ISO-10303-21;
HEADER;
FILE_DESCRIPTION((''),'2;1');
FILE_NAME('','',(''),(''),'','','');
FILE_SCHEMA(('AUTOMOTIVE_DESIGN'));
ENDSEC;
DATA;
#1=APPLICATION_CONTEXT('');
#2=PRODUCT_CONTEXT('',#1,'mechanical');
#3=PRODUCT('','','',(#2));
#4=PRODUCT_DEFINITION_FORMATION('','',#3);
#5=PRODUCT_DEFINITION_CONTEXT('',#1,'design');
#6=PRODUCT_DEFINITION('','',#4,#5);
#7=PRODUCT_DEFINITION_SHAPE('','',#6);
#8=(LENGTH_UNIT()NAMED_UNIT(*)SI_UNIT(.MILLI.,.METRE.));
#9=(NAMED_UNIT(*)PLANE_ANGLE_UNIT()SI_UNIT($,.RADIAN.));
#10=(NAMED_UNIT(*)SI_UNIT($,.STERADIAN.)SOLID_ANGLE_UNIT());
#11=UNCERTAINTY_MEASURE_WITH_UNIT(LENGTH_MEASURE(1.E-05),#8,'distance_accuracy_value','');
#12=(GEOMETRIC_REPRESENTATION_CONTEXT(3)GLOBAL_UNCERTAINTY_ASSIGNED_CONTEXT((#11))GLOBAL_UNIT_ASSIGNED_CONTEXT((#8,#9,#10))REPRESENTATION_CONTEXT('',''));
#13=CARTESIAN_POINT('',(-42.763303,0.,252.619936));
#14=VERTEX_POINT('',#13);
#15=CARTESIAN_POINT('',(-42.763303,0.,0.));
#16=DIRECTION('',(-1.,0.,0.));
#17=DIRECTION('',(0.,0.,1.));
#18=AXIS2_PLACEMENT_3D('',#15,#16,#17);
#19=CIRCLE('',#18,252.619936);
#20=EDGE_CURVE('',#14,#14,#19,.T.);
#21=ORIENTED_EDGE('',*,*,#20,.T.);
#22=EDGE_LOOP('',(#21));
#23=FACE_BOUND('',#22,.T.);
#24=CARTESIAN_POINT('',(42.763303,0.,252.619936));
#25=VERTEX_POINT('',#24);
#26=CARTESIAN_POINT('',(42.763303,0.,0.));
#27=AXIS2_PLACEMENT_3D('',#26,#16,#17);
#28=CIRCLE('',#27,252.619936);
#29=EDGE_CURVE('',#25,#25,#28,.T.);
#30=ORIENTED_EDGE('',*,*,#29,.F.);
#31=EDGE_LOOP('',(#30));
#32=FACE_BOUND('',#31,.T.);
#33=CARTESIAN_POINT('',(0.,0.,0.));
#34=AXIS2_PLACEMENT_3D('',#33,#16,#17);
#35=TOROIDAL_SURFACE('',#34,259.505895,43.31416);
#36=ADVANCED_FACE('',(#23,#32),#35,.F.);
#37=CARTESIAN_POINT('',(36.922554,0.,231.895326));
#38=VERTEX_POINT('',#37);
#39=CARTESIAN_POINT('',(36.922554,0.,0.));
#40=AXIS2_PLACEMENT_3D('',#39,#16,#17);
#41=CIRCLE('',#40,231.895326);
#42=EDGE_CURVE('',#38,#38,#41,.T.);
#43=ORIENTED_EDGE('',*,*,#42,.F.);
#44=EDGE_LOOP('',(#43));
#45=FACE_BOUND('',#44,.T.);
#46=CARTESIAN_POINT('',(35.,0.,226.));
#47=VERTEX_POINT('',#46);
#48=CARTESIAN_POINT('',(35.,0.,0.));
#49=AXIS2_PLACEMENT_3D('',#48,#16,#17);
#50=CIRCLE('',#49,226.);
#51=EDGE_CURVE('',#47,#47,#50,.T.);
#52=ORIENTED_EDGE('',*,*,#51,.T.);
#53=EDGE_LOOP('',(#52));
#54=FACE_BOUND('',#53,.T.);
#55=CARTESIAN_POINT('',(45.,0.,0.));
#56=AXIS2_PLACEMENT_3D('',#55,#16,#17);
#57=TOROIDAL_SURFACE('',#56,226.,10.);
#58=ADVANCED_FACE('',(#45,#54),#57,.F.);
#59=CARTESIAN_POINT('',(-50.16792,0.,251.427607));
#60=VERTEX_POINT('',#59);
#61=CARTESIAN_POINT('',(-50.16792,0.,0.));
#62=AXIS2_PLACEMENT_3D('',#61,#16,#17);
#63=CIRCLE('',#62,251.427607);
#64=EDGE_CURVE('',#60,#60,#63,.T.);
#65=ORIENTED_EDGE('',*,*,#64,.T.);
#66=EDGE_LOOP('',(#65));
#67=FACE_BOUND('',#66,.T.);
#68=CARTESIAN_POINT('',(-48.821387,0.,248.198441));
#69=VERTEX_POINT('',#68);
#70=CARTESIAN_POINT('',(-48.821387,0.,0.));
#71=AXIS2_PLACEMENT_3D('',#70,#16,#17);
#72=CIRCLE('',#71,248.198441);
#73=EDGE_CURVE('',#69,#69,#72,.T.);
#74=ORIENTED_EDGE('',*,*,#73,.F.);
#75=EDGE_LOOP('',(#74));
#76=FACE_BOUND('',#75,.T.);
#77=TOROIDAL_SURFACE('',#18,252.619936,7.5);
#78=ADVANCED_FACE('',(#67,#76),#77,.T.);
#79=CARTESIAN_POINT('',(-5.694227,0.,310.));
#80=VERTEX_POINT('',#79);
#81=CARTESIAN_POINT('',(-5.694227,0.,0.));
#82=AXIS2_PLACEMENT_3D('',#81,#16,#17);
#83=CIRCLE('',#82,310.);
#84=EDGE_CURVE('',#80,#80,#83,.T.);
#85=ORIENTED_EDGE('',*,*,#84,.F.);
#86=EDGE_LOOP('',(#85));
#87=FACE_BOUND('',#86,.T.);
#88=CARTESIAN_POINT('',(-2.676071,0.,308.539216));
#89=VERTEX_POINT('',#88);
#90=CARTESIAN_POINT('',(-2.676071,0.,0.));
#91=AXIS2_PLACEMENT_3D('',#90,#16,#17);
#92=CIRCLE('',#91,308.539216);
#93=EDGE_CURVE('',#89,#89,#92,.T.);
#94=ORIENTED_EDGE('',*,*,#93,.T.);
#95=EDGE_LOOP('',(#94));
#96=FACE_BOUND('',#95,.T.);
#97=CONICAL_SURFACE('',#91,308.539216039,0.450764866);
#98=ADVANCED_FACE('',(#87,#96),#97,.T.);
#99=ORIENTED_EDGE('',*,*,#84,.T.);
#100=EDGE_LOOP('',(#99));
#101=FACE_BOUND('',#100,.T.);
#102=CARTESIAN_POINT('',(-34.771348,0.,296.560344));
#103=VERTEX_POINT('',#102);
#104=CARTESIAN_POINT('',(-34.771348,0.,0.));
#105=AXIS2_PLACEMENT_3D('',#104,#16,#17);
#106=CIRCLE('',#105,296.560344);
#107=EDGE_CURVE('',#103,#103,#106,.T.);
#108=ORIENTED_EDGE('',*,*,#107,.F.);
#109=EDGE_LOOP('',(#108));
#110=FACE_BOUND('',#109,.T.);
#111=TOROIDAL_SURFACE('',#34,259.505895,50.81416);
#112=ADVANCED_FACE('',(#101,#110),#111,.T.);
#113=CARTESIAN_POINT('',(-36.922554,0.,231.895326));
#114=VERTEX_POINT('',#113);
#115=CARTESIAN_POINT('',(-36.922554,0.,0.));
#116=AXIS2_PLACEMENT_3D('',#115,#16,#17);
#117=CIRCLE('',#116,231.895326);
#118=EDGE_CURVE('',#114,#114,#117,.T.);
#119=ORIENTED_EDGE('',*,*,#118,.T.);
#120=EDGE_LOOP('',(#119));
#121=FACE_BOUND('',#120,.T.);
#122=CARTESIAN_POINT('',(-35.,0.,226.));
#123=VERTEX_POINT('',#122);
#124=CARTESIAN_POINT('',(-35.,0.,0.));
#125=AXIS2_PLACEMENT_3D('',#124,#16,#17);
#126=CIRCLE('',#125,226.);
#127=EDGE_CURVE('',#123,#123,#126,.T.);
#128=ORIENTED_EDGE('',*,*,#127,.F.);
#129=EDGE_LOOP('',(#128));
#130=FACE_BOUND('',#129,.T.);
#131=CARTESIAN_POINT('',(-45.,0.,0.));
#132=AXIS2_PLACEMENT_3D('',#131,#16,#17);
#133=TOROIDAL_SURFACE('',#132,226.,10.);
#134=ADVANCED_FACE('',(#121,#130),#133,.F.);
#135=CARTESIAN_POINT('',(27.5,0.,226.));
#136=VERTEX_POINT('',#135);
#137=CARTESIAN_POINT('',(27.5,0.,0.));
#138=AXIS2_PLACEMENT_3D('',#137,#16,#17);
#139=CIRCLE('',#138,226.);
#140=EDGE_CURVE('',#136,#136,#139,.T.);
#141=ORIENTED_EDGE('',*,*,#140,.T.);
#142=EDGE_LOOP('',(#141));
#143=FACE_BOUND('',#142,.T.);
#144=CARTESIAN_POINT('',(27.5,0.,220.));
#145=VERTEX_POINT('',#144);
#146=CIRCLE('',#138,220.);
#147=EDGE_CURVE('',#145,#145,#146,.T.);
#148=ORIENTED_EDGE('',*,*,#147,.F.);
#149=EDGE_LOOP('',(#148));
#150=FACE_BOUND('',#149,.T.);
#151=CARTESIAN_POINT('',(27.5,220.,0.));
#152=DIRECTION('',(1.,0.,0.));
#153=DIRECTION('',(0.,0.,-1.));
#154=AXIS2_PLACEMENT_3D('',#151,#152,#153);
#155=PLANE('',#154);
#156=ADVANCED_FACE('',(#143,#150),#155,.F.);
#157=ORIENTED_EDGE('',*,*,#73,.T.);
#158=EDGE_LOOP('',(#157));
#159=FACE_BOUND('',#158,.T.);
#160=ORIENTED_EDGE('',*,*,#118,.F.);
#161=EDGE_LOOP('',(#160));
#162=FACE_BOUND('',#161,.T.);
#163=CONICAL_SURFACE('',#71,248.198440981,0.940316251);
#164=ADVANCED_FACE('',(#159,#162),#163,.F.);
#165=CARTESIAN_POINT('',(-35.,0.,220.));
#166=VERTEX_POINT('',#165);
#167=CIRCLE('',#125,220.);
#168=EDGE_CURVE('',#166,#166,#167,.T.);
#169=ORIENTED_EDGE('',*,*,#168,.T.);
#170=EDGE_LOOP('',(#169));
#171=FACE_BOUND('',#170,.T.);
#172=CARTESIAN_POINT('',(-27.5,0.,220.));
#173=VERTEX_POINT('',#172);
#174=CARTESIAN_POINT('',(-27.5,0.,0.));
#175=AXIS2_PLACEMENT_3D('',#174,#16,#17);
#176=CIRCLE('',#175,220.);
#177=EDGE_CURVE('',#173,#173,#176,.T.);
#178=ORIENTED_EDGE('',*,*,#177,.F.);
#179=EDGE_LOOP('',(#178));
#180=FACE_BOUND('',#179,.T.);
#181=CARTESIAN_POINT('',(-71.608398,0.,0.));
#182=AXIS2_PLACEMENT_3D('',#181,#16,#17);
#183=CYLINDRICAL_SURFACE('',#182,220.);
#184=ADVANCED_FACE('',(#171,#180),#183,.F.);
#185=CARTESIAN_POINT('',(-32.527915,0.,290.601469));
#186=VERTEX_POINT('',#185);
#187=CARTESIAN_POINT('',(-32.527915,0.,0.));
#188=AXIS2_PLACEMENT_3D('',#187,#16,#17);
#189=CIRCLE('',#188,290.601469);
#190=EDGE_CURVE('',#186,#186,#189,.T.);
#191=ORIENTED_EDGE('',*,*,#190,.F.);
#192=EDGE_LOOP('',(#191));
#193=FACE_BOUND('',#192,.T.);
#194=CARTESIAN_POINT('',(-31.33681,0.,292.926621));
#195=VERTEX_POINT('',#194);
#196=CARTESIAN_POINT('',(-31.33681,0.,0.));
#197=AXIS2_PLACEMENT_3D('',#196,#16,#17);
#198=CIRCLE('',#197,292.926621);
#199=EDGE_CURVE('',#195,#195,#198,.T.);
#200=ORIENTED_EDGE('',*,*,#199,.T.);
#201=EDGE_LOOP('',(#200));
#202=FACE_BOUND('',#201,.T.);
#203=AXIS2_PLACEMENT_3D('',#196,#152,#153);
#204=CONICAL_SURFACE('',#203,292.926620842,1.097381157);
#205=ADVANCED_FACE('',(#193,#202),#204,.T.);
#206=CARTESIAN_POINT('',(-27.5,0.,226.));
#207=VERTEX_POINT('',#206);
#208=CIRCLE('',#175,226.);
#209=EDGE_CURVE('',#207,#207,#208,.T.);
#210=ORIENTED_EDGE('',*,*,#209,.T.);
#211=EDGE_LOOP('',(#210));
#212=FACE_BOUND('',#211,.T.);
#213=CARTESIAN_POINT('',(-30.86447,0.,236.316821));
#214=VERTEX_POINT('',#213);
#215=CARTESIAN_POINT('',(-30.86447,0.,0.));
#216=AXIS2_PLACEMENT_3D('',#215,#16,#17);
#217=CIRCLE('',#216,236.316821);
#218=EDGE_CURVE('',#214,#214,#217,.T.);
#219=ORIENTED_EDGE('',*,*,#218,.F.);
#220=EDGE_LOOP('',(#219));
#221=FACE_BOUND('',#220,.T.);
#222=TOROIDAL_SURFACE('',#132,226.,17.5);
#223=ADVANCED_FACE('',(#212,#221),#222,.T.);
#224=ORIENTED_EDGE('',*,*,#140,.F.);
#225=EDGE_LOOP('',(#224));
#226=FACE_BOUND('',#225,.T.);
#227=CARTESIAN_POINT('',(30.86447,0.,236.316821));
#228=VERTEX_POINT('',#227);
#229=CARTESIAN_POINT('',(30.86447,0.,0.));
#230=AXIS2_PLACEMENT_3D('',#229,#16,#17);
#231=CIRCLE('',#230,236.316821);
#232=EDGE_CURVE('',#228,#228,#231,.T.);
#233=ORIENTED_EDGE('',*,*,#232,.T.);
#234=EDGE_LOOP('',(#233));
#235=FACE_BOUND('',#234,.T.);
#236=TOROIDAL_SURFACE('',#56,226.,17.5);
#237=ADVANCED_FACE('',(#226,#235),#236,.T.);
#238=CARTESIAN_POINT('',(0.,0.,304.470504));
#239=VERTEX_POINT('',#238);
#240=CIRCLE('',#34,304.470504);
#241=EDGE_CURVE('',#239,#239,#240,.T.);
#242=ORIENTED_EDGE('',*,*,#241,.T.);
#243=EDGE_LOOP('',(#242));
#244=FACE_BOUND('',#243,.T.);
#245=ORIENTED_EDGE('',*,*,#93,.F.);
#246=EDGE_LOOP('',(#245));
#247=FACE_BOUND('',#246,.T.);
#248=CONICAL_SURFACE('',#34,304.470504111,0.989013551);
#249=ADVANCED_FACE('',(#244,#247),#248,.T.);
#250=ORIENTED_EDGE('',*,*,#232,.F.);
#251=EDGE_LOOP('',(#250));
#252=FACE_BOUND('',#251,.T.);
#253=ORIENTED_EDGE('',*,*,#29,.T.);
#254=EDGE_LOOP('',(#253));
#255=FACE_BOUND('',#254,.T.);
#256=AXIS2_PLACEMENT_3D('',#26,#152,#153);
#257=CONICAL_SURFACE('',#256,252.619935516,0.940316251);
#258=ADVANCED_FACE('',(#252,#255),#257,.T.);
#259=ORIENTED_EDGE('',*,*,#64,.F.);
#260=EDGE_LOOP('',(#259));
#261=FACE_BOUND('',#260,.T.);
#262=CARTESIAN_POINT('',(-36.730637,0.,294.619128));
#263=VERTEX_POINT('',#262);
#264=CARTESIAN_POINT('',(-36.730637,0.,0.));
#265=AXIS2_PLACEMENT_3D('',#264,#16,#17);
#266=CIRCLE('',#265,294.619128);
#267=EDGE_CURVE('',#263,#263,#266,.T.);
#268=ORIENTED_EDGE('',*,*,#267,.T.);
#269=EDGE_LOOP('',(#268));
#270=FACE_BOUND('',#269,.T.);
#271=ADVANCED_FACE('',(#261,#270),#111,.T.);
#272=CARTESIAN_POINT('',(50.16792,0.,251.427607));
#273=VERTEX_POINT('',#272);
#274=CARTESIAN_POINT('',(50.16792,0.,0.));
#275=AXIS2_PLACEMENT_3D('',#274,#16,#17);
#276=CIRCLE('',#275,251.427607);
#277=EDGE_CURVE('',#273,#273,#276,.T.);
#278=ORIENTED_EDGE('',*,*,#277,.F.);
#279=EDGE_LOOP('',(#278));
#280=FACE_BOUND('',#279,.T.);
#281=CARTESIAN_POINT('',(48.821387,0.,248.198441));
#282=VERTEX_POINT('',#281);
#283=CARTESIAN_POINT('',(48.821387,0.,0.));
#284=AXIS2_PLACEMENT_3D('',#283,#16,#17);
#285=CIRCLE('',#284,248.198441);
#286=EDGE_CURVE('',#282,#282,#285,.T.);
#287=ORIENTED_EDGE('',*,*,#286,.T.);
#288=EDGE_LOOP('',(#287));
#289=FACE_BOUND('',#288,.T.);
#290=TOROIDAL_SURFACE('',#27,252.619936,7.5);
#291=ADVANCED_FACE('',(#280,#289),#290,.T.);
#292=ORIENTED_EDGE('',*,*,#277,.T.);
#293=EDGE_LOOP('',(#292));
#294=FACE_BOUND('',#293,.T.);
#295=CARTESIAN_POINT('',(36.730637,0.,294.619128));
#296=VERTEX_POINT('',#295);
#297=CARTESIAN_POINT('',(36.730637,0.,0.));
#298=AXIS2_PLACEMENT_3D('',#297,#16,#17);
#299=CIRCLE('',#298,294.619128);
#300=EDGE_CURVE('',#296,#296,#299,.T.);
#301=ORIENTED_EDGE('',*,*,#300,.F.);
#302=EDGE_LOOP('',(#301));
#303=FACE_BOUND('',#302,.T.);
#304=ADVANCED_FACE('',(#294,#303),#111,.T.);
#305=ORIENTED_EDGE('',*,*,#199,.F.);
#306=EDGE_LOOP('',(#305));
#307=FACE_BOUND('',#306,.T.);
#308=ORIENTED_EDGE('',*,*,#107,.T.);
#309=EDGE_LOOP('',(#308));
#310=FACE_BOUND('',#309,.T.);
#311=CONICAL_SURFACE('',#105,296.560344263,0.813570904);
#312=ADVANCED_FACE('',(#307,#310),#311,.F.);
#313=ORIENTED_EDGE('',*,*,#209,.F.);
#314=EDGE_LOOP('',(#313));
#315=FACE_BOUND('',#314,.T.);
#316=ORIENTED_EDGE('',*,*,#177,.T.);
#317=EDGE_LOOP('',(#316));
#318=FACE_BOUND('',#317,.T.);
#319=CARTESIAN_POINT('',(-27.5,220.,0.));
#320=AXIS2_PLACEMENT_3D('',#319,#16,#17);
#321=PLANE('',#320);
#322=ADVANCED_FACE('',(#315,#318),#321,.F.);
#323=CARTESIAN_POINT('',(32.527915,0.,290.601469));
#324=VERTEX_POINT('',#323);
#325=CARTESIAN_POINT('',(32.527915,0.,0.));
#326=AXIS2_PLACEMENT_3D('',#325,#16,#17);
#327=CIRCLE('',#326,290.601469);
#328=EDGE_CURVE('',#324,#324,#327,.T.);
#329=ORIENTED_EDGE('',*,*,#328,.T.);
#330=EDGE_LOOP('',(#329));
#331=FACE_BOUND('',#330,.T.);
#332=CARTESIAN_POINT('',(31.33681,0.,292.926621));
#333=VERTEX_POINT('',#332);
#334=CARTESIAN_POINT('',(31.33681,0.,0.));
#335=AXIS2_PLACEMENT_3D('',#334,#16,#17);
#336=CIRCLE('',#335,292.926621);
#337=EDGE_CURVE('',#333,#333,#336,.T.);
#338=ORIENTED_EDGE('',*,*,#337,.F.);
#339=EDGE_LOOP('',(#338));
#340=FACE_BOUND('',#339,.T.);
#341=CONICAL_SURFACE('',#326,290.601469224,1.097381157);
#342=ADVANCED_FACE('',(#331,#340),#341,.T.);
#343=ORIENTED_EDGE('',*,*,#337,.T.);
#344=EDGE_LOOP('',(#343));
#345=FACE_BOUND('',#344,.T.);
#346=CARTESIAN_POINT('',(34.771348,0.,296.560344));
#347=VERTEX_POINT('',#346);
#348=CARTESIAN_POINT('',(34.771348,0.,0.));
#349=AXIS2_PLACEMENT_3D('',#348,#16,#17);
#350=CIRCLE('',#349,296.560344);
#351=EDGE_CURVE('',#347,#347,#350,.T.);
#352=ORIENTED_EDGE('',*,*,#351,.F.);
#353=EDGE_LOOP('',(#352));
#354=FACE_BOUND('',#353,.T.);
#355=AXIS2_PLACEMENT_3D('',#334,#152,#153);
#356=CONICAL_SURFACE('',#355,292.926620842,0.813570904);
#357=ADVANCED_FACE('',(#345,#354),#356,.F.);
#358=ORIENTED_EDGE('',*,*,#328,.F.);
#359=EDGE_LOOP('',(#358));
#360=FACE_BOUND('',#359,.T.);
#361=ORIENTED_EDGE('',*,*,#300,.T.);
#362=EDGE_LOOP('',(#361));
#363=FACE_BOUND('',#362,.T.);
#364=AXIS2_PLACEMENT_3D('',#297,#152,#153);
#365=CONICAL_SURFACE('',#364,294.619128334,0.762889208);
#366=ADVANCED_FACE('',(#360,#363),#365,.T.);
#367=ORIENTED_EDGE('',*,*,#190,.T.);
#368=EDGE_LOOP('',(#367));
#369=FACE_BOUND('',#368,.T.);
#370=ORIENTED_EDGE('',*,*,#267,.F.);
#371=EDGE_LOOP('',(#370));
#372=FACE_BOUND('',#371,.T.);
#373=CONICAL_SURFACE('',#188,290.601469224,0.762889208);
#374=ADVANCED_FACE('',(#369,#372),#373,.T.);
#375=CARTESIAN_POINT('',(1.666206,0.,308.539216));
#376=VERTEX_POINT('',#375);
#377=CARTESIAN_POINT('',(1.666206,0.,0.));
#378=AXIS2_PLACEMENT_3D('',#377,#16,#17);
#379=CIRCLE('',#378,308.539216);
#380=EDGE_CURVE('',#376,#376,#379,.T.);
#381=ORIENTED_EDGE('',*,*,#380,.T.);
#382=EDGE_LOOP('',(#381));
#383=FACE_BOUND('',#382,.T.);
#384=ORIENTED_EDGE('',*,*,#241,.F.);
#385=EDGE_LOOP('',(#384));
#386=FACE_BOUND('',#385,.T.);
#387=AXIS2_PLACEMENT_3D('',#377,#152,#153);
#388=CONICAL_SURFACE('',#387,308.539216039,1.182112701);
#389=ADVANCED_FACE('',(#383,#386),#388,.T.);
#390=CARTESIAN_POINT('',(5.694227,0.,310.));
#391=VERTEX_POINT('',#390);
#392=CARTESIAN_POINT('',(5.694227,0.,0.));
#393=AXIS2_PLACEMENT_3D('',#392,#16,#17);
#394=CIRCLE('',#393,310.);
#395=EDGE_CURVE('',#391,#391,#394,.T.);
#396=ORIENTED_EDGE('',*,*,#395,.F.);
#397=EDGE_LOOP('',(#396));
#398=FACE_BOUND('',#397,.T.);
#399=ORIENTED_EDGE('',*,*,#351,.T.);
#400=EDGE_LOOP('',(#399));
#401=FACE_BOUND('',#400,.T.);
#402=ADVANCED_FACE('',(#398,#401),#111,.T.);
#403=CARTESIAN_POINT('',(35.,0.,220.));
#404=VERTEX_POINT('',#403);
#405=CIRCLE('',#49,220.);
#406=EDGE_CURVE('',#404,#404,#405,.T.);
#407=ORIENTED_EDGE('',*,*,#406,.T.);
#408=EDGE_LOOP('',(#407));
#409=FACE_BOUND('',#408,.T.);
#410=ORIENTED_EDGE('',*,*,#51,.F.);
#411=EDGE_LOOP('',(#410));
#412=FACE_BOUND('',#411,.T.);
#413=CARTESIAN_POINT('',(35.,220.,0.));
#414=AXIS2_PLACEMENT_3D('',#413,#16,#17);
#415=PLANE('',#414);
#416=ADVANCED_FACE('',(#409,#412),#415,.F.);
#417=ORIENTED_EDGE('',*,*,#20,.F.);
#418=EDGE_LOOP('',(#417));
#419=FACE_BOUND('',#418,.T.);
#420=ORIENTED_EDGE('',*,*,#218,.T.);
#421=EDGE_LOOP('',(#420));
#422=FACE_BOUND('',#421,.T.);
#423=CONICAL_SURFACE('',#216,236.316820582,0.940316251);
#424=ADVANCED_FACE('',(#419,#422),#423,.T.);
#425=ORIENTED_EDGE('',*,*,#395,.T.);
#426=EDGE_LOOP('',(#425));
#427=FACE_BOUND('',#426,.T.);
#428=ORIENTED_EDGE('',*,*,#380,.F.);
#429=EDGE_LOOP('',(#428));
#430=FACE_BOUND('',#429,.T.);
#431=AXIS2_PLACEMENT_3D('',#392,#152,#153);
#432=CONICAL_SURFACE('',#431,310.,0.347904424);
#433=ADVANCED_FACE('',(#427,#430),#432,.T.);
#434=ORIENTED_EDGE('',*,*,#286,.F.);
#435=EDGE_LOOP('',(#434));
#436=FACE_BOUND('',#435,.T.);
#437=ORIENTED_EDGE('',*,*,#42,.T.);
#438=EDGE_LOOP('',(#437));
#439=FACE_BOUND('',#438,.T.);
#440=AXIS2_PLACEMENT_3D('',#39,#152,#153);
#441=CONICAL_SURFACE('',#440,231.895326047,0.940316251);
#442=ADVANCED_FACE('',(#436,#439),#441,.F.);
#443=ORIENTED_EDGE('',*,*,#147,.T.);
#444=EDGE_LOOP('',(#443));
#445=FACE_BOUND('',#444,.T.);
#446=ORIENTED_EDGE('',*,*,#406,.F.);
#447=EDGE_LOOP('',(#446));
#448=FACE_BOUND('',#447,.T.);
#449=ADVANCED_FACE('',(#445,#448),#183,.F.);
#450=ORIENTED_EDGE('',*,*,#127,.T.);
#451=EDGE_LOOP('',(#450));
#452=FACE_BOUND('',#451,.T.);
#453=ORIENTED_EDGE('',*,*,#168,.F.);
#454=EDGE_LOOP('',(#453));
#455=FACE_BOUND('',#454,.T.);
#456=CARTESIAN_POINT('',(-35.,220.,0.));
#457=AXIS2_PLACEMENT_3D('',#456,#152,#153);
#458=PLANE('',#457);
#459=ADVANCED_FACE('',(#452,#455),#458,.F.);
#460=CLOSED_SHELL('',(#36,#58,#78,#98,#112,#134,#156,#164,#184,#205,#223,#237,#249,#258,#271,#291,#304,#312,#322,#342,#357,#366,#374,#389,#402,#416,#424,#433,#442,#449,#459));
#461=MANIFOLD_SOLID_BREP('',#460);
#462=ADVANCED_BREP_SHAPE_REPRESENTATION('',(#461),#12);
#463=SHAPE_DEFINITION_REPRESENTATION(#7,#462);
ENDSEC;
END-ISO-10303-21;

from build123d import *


with BuildPart() as part:
    # Sketch2 → Revolve2 (revolve)
    with BuildSketch(Plane.XY, mode=Mode.PRIVATE) as revolve2_sk:
        with BuildLine():
            Line((-35, 220), (-35, 226))
            ThreePointArc((-35, 226), (-35.492780162, 229.100446896), (-36.922554191, 231.895326047))
            Line((-36.922554191, 231.895326047), (-48.821387112, 248.198440981))
            ThreePointArc((-48.821387112, 248.198440981), (-49.685582806, 249.733408382), (-50.167919798, 251.427607352))
            ThreePointArc((-50.167919798, 251.427607352), (-48.520270823, 274.60100052), (-36.730637372, 294.619128334))
            Line((-36.730637372, 294.619128334), (-32.527914799, 290.601469224))
            Line((-32.527914799, 290.601469224), (-31.336809928, 292.926620842))
            Line((-31.336809928, 292.926620842), (-34.771348339, 296.560344263))
            ThreePointArc((-34.771348339, 296.560344263), (-21.319516696, 305.631344339), (-5.69422743, 310))
            Line((-5.69422743, 310), (-2.676070997, 308.539216039))
            Line((-2.676070997, 308.539216039), (0, 304.470504111))
            Line((0, 304.470504111), (1.666206498, 308.539216039))
            Line((1.666206498, 308.539216039), (5.69422743, 310))
            ThreePointArc((5.69422743, 310), (21.319516696, 305.631344339), (34.771348339, 296.560344263))
            Line((34.771348339, 296.560344263), (31.336809928, 292.926620842))
            Line((31.336809928, 292.926620842), (32.527914799, 290.601469224))
            Line((32.527914799, 290.601469224), (36.730637372, 294.619128334))
            ThreePointArc((36.730637372, 294.619128334), (48.520270823, 274.60100052), (50.167919798, 251.427607352))
            ThreePointArc((50.167919798, 251.427607352), (49.685582806, 249.733408382), (48.821387112, 248.198440981))
            Line((48.821387112, 248.198440981), (36.922554191, 231.895326047))
            ThreePointArc((36.922554191, 231.895326047), (35.492780162, 229.100446896), (35, 226))
            Line((35, 226), (35, 220))
            Line((35, 220), (27.5, 220))
            Line((27.5, 220), (27.5, 226))
            ThreePointArc((27.5, 226), (28.362365284, 231.425782068), (30.864469834, 236.316820582))
            Line((30.864469834, 236.316820582), (42.763302755, 252.619935516))
            ThreePointArc((42.763302755, 252.619935516), (0, 302.820055089), (-42.763302755, 252.619935516))
            Line((-42.763302755, 252.619935516), (-30.864469834, 236.316820582))
            ThreePointArc((-30.864469834, 236.316820582), (-28.362365284, 231.425782068), (-27.5, 226))
            Line((-27.5, 226), (-27.5, 220))
            Line((-27.5, 220), (-35, 220))
        make_face()
    revolve(revolve2_sk.sketch.rotate(Axis((-71.60839807, 0, 0), (1, 0, 0)), 90), axis=Axis((-71.60839807, 0, 0), (1, 0, 0)))


solid = part.part
